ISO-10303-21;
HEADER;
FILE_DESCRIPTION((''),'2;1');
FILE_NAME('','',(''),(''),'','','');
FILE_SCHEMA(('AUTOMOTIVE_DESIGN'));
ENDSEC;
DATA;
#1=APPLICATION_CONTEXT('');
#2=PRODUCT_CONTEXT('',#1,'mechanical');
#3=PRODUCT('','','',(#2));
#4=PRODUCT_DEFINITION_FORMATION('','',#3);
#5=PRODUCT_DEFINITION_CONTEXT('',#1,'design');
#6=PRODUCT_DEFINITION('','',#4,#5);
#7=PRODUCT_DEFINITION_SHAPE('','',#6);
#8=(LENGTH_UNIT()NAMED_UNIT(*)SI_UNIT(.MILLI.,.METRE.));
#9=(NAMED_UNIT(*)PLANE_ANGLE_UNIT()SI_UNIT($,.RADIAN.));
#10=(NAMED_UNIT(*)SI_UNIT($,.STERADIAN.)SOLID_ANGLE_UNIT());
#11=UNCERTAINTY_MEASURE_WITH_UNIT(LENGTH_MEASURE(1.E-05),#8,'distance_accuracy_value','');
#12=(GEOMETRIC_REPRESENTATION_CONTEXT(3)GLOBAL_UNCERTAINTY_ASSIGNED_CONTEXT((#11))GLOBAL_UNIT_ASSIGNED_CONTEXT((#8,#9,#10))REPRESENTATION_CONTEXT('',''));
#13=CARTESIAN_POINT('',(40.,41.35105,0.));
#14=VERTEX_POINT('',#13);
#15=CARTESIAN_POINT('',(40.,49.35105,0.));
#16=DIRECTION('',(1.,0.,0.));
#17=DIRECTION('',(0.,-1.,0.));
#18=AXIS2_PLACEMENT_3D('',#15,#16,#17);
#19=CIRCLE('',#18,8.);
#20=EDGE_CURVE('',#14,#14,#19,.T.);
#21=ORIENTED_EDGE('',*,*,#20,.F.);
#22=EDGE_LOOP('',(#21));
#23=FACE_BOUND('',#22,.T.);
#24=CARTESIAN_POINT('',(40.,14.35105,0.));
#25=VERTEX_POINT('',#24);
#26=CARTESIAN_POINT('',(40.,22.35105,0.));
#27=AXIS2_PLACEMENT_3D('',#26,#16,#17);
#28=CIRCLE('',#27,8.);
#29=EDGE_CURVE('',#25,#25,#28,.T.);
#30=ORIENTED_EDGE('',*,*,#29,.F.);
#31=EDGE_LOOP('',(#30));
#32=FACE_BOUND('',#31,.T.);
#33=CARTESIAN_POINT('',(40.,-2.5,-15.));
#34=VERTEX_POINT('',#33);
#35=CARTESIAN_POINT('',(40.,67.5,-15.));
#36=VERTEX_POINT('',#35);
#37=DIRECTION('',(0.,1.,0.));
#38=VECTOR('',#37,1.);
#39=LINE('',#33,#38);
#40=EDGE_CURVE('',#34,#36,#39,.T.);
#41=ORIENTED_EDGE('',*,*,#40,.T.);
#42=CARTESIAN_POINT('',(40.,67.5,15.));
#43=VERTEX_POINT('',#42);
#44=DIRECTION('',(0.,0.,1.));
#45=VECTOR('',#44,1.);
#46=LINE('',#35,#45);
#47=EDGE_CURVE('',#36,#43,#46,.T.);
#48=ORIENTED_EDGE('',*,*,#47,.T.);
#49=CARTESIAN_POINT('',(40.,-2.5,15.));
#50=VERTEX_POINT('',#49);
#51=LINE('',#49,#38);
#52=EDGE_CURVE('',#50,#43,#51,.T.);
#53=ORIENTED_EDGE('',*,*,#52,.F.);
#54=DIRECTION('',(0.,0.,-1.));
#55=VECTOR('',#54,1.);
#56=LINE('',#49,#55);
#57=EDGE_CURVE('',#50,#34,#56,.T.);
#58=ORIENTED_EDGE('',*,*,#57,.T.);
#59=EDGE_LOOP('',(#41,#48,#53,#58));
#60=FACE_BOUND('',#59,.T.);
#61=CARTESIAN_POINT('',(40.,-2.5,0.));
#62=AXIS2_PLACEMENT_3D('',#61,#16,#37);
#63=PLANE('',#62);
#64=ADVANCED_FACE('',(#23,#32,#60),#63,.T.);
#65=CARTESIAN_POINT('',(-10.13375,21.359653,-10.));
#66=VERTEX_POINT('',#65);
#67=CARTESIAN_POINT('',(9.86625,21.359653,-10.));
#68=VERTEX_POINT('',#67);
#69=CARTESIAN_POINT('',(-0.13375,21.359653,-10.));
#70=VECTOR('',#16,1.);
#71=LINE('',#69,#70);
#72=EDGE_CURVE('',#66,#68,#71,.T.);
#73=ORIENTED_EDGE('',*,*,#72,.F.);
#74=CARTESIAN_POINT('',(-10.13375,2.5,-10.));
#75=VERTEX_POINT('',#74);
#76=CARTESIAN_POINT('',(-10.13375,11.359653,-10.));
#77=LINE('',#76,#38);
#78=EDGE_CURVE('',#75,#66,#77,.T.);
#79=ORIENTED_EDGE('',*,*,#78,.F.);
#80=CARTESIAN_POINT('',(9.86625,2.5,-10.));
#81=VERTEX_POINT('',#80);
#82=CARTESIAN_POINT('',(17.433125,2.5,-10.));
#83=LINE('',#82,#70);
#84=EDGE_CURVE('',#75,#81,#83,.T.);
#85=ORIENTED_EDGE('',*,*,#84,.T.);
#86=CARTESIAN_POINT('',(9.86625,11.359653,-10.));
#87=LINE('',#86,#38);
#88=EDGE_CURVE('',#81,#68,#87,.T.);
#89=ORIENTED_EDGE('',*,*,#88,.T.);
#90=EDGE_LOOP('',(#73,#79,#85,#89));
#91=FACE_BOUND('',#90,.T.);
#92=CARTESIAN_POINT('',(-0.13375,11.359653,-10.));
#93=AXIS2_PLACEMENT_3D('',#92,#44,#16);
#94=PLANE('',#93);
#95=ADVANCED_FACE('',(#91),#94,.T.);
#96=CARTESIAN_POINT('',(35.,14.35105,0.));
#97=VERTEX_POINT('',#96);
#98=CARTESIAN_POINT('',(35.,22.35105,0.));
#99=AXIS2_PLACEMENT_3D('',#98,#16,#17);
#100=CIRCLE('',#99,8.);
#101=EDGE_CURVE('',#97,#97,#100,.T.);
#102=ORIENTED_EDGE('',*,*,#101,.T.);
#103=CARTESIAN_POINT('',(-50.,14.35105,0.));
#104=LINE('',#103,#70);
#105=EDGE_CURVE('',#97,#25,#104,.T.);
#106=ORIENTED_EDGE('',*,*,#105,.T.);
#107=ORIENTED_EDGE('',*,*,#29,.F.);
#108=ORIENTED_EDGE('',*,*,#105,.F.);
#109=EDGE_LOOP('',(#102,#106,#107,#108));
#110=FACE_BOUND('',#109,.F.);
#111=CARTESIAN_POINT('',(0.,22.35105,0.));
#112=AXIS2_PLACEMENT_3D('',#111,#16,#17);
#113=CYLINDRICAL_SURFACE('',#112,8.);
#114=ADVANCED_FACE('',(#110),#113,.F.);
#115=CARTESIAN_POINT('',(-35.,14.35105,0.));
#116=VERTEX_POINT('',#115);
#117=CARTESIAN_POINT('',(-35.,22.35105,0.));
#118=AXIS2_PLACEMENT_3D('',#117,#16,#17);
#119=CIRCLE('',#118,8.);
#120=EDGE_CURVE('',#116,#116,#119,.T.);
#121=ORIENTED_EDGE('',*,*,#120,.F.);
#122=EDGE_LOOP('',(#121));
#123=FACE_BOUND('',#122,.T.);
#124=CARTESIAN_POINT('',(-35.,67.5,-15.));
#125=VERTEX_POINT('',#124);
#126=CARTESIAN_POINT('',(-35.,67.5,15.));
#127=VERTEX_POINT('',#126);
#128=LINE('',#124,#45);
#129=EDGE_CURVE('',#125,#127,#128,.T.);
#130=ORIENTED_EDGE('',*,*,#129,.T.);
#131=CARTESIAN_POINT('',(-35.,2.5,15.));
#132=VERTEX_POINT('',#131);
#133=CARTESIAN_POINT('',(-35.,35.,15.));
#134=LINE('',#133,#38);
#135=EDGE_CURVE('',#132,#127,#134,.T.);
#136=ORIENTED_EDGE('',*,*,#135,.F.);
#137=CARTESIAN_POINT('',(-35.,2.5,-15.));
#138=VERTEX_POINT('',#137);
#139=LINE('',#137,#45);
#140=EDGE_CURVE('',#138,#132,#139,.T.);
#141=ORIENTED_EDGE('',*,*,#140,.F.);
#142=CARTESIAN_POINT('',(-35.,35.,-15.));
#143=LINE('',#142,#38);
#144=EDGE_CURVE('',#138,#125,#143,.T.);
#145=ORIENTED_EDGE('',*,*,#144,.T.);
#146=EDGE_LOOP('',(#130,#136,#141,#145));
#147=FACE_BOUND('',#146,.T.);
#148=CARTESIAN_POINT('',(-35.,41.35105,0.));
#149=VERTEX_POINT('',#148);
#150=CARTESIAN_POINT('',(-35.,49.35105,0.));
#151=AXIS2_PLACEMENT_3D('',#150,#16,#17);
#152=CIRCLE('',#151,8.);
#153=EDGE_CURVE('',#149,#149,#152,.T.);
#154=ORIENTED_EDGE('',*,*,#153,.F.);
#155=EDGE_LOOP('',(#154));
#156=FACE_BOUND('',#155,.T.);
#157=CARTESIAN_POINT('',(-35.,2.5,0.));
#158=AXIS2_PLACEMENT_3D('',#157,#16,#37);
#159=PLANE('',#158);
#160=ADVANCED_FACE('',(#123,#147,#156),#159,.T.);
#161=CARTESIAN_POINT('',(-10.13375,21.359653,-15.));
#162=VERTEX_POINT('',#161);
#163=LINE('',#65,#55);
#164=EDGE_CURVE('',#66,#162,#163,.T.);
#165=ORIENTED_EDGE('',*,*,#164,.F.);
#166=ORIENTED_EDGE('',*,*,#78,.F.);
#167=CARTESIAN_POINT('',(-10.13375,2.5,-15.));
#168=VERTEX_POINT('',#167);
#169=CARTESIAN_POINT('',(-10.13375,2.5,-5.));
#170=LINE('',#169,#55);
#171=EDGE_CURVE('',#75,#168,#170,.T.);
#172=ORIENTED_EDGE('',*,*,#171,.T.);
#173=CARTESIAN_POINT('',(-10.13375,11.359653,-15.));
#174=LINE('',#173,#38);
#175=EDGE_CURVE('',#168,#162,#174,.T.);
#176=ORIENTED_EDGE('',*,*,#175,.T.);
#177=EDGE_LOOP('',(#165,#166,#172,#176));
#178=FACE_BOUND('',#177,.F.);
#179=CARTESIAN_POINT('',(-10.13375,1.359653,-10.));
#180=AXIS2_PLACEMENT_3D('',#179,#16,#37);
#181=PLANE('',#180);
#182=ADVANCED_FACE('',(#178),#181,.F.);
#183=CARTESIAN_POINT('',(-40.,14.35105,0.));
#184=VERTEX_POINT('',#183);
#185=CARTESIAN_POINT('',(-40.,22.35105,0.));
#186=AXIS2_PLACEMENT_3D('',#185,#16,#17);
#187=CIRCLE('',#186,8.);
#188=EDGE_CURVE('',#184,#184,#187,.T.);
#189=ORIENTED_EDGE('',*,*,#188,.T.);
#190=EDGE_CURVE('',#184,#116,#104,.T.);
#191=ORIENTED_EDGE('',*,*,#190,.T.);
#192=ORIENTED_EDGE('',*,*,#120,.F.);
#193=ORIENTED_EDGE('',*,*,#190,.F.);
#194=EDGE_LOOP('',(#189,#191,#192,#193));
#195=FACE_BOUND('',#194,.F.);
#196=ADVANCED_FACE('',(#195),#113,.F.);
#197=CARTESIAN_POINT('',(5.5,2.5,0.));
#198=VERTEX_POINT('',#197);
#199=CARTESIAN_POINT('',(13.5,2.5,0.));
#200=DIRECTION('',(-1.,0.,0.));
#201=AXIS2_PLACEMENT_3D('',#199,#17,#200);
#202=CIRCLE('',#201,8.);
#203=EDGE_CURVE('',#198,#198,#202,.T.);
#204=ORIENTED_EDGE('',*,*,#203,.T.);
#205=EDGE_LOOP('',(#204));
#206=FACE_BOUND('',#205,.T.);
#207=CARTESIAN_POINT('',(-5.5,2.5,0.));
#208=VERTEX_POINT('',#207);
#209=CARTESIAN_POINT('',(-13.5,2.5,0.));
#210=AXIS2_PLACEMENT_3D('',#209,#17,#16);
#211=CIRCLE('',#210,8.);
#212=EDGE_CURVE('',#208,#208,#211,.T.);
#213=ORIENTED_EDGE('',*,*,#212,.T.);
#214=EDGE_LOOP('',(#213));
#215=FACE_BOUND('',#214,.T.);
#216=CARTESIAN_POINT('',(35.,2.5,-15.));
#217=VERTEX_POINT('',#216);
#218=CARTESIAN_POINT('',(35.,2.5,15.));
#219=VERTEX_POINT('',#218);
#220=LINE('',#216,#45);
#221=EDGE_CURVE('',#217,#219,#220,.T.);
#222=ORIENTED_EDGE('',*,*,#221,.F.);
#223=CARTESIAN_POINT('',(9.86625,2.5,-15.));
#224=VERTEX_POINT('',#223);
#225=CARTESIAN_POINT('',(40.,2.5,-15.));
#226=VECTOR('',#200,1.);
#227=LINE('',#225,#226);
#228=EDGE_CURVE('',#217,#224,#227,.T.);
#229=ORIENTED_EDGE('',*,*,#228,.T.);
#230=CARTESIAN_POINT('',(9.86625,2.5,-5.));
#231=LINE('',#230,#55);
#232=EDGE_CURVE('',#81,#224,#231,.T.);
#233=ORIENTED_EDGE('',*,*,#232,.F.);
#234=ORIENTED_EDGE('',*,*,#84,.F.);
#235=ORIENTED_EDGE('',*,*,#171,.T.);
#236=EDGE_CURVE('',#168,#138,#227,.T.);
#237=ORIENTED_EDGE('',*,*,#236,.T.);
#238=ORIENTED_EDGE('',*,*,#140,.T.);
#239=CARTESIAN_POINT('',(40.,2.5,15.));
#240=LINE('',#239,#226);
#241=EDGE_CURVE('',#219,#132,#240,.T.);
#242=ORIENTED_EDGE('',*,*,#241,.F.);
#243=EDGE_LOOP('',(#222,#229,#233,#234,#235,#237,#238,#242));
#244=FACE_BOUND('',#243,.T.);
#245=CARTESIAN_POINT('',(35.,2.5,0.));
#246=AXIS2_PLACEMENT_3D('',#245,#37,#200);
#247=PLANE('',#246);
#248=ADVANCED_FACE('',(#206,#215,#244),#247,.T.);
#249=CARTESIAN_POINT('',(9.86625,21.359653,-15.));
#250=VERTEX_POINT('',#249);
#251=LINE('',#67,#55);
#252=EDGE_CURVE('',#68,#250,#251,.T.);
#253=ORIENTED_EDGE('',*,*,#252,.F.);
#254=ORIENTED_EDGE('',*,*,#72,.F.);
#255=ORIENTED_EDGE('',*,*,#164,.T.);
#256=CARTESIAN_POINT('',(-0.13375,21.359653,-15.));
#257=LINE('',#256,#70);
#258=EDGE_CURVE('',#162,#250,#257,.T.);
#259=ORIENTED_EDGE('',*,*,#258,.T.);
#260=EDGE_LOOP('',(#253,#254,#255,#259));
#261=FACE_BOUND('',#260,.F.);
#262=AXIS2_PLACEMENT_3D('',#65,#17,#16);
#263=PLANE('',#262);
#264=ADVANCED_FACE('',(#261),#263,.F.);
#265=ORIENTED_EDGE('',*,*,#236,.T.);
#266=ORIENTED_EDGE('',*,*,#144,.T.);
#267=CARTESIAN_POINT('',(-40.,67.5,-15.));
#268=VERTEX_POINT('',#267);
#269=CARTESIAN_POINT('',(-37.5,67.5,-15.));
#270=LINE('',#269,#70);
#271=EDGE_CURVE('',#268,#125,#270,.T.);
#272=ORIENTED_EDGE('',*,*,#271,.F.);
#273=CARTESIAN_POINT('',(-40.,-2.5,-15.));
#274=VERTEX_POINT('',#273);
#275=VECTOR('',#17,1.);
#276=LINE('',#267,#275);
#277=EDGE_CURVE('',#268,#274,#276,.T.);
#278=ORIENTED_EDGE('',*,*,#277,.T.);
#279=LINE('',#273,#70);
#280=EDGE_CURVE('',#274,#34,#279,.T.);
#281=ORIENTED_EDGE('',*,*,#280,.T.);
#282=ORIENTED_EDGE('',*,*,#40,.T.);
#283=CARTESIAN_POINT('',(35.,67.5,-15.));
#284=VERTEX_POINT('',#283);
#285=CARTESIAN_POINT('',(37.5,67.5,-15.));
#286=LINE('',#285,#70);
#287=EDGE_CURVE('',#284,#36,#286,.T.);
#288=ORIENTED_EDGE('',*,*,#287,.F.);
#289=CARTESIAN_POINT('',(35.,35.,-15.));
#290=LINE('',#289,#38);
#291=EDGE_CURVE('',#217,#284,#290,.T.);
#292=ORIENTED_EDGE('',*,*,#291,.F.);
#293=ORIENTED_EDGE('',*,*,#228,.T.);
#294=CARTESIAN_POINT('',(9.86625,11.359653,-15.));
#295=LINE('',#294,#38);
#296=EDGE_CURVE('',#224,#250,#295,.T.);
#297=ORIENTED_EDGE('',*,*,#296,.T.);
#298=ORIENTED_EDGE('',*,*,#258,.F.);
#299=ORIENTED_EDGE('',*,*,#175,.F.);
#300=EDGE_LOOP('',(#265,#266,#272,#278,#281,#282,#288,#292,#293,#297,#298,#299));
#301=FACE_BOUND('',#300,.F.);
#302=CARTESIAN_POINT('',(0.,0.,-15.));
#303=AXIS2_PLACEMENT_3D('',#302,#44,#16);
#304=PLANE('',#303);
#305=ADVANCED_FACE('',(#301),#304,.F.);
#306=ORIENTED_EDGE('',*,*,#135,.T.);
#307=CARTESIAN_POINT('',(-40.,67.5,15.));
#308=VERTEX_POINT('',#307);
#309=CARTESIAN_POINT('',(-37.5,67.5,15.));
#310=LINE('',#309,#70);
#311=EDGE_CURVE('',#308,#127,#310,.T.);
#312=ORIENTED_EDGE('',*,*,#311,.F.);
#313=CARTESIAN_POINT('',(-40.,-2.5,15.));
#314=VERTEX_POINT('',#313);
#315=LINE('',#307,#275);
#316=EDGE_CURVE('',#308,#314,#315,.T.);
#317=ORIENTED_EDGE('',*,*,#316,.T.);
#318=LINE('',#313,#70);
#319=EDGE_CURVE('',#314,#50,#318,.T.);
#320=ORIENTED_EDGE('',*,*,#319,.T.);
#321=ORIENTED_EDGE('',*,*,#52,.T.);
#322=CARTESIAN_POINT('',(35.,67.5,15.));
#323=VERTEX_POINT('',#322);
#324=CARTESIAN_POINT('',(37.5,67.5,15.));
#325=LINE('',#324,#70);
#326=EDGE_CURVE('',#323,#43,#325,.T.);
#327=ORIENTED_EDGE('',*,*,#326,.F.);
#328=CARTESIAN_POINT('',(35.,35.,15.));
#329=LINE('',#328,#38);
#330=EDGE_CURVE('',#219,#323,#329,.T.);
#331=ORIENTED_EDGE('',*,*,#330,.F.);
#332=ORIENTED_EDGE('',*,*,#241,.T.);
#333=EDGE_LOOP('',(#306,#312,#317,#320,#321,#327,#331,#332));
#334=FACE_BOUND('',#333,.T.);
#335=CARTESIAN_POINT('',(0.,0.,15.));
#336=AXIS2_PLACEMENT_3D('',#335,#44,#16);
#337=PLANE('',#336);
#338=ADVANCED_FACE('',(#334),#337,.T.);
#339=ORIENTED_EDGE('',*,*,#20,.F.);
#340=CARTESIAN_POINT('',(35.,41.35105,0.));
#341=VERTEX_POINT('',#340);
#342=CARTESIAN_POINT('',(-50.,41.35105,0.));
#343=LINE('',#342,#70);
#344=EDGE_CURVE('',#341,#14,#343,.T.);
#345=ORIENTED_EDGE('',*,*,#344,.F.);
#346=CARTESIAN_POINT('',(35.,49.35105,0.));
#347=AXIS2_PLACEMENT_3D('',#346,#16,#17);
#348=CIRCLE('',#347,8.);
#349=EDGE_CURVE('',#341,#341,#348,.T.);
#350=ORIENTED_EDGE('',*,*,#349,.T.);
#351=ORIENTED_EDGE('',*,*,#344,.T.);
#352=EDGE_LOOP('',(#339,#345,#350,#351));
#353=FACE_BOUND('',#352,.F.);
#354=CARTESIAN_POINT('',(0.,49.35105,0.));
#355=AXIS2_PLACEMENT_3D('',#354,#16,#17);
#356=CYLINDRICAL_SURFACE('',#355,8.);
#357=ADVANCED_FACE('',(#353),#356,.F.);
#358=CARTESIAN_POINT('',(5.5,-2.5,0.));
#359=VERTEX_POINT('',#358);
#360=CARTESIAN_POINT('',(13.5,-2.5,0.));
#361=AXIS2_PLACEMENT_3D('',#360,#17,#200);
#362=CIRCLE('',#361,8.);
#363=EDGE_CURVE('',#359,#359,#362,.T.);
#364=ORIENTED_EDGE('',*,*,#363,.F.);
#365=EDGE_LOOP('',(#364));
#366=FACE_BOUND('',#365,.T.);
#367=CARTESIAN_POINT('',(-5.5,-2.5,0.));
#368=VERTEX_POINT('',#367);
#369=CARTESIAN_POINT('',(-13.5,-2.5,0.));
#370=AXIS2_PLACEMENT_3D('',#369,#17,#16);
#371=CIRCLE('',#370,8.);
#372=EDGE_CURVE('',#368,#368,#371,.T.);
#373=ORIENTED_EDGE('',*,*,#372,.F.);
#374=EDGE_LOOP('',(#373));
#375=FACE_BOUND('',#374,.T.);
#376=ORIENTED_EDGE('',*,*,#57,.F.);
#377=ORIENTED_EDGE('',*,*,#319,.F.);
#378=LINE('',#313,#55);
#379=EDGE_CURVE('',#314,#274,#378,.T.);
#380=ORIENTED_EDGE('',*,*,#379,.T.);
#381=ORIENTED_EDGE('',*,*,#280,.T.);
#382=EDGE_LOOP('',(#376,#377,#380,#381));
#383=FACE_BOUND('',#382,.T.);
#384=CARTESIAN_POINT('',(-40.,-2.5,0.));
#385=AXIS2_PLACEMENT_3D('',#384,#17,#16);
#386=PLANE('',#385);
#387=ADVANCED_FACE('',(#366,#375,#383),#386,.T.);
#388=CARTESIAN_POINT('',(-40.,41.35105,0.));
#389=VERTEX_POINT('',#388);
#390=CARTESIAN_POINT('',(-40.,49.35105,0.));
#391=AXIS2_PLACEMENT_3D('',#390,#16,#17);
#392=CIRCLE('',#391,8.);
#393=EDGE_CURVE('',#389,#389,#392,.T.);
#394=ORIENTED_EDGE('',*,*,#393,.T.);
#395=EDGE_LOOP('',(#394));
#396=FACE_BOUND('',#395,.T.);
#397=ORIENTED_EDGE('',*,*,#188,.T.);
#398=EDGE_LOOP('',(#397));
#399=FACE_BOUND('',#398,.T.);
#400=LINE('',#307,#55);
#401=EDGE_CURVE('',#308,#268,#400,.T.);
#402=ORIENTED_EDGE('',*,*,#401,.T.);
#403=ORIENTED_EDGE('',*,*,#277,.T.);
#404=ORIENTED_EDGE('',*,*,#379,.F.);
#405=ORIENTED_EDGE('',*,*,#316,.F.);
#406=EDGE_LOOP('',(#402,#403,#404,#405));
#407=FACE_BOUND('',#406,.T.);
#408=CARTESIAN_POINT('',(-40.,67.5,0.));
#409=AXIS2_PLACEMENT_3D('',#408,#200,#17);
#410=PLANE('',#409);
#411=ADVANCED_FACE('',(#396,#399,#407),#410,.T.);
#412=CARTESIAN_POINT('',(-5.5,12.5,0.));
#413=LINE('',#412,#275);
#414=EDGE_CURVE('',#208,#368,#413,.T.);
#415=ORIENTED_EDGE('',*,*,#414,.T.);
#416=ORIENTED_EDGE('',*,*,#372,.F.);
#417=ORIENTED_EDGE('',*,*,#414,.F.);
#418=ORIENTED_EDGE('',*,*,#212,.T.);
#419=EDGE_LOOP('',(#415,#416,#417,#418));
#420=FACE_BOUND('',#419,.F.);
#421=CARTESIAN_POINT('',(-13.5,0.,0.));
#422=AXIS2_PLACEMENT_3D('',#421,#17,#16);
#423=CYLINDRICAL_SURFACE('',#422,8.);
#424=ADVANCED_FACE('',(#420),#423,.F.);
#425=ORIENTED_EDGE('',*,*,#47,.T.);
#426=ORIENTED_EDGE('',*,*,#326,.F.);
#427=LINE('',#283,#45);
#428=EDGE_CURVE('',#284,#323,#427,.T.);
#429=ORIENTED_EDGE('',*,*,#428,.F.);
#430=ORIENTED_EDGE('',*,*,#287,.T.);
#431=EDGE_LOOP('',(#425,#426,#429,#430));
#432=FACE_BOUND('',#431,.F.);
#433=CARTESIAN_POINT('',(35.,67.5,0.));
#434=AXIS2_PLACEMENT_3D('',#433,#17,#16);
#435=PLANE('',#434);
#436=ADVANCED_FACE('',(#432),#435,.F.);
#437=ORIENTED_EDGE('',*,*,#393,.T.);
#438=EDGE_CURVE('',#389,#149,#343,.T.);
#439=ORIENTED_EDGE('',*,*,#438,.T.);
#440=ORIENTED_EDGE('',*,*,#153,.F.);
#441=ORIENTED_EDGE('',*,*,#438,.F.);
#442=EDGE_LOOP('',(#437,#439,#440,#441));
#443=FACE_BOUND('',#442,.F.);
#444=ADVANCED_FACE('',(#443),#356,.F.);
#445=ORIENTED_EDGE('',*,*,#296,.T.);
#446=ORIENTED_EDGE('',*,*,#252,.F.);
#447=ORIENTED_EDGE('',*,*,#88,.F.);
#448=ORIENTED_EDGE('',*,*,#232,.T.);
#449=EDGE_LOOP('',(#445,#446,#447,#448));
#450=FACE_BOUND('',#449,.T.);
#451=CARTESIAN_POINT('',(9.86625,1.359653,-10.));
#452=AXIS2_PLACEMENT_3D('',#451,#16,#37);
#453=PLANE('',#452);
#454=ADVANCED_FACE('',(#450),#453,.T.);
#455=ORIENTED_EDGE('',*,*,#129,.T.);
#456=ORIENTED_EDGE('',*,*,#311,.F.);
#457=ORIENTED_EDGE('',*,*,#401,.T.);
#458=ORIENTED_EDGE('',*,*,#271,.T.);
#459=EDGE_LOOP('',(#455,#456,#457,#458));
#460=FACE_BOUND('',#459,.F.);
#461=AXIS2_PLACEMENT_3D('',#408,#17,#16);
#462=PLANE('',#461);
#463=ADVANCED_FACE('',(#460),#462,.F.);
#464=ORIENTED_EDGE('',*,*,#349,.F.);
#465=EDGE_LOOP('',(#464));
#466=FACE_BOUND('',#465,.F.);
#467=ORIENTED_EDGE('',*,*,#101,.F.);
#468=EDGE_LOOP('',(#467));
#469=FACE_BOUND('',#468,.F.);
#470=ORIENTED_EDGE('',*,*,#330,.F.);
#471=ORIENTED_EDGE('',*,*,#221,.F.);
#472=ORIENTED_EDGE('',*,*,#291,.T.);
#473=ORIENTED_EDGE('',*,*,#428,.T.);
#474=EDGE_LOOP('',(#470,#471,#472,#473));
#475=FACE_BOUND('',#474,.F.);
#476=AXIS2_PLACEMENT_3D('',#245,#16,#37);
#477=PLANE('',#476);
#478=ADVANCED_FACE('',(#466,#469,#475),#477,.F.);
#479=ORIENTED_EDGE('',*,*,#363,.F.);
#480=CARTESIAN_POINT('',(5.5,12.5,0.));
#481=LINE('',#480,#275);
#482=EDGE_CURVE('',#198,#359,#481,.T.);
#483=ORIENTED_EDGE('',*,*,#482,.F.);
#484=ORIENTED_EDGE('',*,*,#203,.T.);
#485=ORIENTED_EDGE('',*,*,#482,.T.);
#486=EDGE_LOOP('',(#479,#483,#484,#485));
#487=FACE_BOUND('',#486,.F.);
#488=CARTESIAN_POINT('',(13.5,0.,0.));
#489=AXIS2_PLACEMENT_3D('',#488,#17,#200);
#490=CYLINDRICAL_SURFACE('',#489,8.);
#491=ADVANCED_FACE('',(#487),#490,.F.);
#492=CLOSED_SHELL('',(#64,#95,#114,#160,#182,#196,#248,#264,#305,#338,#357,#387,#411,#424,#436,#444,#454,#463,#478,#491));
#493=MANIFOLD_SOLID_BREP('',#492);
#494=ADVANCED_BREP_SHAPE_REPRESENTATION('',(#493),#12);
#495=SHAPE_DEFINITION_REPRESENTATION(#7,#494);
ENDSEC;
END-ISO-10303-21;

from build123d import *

# Parameters (mm, degrees)
F0_W     = 5
F0_H     = 65
F1_DEPTH = 15
F2_R     = 8
F3_DEPTH = 12.5
F6_DEPTH = 50
F9_START = -10
F8_W     = 20
F8_H     = 20
F9_DEPTH = 5


with BuildPart() as f1:
    # F0 (on Top) → F1 (new body, symmetric)
    with BuildSketch(Plane.XY):
        Polygon((40, -2.5), (40, 2.5), (35, 2.5), (-35, 2.5), (-40, 2.5), (-40, -2.5), align=None)
        with Locations((37.5, 35)):
            Rectangle(F0_W, F0_H)
        with Locations((-37.5, 35)):
            Rectangle(F0_W, F0_H)
    extrude(amount=F1_DEPTH, both=True)


with BuildPart() as f3:
    # F2 (on Front) → F3 (new body, symmetric)
    with BuildSketch(Plane.XZ):
        with Locations((-13.5, 0)):
            Circle(F2_R)
    extrude(amount=F3_DEPTH, both=True)


with BuildPart() as f3b:
    # F2 (on Front) → F3, piece 2 (new body, symmetric)
    with BuildSketch(Plane.XZ):
        with BuildLine():
            ThreePointArc((21.5, 0), (13.5, 8), (5.5, 0))
            ThreePointArc((5.5, 0), (13.5, -8), (21.5, 0))
        make_face()
    extrude(amount=F3_DEPTH, both=True)


with BuildPart() as f1_1:
    add(f1.part)

    # F4: cut F3, F3b
    add(f3.part, mode=Mode.SUBTRACT)
    add(f3b.part, mode=Mode.SUBTRACT)


with BuildPart() as f6:
    # F5 (on Right) → F6 (new body, symmetric)
    with BuildSketch(Plane.YZ):
        with BuildLine():
            Line((22.3510495666, 0), (30.3510495666, 0))
            ThreePointArc((30.3510495666, 0), (22.3510495666, 8), (14.3510495666, 0))
            Line((14.3510495666, 0), (22.3510495666, 0))
        make_face()
        with BuildLine():
            ThreePointArc((14.3510495666, 0), (22.3510495666, -8), (30.3510495666, 0))
            Line((30.3510495666, 0), (22.3510495666, 0))
            Line((22.3510495666, 0), (14.3510495666, 0))
        make_face()
    extrude(amount=F6_DEPTH, both=True)


with BuildPart() as f6b:
    # F5 (on Right) → F6, piece 2 (new body, symmetric)
    with BuildSketch(Plane.YZ):
        with BuildLine():
            ThreePointArc((57.3510495666, 0), (49.3510495666, 8), (41.3510495666, 0))
            ThreePointArc((41.3510495666, 0), (49.3510495666, -8), (57.3510495666, 0))
        make_face()
    extrude(amount=F6_DEPTH, both=True)


with BuildPart() as f1_2:
    add(f1_1.part)

    # F7: cut F6, F6b
    add(f6.part, mode=Mode.SUBTRACT)
    add(f6b.part, mode=Mode.SUBTRACT)

    # F8 (on Top) → F9 (join)
    with BuildSketch(Plane.XY.offset(F9_START)):
        with Locations((-0.1337498054, 11.3596525043)):
            Rectangle(F8_W, F8_H)
    extrude(amount=-F9_DEPTH)


solid = f1_2.part
